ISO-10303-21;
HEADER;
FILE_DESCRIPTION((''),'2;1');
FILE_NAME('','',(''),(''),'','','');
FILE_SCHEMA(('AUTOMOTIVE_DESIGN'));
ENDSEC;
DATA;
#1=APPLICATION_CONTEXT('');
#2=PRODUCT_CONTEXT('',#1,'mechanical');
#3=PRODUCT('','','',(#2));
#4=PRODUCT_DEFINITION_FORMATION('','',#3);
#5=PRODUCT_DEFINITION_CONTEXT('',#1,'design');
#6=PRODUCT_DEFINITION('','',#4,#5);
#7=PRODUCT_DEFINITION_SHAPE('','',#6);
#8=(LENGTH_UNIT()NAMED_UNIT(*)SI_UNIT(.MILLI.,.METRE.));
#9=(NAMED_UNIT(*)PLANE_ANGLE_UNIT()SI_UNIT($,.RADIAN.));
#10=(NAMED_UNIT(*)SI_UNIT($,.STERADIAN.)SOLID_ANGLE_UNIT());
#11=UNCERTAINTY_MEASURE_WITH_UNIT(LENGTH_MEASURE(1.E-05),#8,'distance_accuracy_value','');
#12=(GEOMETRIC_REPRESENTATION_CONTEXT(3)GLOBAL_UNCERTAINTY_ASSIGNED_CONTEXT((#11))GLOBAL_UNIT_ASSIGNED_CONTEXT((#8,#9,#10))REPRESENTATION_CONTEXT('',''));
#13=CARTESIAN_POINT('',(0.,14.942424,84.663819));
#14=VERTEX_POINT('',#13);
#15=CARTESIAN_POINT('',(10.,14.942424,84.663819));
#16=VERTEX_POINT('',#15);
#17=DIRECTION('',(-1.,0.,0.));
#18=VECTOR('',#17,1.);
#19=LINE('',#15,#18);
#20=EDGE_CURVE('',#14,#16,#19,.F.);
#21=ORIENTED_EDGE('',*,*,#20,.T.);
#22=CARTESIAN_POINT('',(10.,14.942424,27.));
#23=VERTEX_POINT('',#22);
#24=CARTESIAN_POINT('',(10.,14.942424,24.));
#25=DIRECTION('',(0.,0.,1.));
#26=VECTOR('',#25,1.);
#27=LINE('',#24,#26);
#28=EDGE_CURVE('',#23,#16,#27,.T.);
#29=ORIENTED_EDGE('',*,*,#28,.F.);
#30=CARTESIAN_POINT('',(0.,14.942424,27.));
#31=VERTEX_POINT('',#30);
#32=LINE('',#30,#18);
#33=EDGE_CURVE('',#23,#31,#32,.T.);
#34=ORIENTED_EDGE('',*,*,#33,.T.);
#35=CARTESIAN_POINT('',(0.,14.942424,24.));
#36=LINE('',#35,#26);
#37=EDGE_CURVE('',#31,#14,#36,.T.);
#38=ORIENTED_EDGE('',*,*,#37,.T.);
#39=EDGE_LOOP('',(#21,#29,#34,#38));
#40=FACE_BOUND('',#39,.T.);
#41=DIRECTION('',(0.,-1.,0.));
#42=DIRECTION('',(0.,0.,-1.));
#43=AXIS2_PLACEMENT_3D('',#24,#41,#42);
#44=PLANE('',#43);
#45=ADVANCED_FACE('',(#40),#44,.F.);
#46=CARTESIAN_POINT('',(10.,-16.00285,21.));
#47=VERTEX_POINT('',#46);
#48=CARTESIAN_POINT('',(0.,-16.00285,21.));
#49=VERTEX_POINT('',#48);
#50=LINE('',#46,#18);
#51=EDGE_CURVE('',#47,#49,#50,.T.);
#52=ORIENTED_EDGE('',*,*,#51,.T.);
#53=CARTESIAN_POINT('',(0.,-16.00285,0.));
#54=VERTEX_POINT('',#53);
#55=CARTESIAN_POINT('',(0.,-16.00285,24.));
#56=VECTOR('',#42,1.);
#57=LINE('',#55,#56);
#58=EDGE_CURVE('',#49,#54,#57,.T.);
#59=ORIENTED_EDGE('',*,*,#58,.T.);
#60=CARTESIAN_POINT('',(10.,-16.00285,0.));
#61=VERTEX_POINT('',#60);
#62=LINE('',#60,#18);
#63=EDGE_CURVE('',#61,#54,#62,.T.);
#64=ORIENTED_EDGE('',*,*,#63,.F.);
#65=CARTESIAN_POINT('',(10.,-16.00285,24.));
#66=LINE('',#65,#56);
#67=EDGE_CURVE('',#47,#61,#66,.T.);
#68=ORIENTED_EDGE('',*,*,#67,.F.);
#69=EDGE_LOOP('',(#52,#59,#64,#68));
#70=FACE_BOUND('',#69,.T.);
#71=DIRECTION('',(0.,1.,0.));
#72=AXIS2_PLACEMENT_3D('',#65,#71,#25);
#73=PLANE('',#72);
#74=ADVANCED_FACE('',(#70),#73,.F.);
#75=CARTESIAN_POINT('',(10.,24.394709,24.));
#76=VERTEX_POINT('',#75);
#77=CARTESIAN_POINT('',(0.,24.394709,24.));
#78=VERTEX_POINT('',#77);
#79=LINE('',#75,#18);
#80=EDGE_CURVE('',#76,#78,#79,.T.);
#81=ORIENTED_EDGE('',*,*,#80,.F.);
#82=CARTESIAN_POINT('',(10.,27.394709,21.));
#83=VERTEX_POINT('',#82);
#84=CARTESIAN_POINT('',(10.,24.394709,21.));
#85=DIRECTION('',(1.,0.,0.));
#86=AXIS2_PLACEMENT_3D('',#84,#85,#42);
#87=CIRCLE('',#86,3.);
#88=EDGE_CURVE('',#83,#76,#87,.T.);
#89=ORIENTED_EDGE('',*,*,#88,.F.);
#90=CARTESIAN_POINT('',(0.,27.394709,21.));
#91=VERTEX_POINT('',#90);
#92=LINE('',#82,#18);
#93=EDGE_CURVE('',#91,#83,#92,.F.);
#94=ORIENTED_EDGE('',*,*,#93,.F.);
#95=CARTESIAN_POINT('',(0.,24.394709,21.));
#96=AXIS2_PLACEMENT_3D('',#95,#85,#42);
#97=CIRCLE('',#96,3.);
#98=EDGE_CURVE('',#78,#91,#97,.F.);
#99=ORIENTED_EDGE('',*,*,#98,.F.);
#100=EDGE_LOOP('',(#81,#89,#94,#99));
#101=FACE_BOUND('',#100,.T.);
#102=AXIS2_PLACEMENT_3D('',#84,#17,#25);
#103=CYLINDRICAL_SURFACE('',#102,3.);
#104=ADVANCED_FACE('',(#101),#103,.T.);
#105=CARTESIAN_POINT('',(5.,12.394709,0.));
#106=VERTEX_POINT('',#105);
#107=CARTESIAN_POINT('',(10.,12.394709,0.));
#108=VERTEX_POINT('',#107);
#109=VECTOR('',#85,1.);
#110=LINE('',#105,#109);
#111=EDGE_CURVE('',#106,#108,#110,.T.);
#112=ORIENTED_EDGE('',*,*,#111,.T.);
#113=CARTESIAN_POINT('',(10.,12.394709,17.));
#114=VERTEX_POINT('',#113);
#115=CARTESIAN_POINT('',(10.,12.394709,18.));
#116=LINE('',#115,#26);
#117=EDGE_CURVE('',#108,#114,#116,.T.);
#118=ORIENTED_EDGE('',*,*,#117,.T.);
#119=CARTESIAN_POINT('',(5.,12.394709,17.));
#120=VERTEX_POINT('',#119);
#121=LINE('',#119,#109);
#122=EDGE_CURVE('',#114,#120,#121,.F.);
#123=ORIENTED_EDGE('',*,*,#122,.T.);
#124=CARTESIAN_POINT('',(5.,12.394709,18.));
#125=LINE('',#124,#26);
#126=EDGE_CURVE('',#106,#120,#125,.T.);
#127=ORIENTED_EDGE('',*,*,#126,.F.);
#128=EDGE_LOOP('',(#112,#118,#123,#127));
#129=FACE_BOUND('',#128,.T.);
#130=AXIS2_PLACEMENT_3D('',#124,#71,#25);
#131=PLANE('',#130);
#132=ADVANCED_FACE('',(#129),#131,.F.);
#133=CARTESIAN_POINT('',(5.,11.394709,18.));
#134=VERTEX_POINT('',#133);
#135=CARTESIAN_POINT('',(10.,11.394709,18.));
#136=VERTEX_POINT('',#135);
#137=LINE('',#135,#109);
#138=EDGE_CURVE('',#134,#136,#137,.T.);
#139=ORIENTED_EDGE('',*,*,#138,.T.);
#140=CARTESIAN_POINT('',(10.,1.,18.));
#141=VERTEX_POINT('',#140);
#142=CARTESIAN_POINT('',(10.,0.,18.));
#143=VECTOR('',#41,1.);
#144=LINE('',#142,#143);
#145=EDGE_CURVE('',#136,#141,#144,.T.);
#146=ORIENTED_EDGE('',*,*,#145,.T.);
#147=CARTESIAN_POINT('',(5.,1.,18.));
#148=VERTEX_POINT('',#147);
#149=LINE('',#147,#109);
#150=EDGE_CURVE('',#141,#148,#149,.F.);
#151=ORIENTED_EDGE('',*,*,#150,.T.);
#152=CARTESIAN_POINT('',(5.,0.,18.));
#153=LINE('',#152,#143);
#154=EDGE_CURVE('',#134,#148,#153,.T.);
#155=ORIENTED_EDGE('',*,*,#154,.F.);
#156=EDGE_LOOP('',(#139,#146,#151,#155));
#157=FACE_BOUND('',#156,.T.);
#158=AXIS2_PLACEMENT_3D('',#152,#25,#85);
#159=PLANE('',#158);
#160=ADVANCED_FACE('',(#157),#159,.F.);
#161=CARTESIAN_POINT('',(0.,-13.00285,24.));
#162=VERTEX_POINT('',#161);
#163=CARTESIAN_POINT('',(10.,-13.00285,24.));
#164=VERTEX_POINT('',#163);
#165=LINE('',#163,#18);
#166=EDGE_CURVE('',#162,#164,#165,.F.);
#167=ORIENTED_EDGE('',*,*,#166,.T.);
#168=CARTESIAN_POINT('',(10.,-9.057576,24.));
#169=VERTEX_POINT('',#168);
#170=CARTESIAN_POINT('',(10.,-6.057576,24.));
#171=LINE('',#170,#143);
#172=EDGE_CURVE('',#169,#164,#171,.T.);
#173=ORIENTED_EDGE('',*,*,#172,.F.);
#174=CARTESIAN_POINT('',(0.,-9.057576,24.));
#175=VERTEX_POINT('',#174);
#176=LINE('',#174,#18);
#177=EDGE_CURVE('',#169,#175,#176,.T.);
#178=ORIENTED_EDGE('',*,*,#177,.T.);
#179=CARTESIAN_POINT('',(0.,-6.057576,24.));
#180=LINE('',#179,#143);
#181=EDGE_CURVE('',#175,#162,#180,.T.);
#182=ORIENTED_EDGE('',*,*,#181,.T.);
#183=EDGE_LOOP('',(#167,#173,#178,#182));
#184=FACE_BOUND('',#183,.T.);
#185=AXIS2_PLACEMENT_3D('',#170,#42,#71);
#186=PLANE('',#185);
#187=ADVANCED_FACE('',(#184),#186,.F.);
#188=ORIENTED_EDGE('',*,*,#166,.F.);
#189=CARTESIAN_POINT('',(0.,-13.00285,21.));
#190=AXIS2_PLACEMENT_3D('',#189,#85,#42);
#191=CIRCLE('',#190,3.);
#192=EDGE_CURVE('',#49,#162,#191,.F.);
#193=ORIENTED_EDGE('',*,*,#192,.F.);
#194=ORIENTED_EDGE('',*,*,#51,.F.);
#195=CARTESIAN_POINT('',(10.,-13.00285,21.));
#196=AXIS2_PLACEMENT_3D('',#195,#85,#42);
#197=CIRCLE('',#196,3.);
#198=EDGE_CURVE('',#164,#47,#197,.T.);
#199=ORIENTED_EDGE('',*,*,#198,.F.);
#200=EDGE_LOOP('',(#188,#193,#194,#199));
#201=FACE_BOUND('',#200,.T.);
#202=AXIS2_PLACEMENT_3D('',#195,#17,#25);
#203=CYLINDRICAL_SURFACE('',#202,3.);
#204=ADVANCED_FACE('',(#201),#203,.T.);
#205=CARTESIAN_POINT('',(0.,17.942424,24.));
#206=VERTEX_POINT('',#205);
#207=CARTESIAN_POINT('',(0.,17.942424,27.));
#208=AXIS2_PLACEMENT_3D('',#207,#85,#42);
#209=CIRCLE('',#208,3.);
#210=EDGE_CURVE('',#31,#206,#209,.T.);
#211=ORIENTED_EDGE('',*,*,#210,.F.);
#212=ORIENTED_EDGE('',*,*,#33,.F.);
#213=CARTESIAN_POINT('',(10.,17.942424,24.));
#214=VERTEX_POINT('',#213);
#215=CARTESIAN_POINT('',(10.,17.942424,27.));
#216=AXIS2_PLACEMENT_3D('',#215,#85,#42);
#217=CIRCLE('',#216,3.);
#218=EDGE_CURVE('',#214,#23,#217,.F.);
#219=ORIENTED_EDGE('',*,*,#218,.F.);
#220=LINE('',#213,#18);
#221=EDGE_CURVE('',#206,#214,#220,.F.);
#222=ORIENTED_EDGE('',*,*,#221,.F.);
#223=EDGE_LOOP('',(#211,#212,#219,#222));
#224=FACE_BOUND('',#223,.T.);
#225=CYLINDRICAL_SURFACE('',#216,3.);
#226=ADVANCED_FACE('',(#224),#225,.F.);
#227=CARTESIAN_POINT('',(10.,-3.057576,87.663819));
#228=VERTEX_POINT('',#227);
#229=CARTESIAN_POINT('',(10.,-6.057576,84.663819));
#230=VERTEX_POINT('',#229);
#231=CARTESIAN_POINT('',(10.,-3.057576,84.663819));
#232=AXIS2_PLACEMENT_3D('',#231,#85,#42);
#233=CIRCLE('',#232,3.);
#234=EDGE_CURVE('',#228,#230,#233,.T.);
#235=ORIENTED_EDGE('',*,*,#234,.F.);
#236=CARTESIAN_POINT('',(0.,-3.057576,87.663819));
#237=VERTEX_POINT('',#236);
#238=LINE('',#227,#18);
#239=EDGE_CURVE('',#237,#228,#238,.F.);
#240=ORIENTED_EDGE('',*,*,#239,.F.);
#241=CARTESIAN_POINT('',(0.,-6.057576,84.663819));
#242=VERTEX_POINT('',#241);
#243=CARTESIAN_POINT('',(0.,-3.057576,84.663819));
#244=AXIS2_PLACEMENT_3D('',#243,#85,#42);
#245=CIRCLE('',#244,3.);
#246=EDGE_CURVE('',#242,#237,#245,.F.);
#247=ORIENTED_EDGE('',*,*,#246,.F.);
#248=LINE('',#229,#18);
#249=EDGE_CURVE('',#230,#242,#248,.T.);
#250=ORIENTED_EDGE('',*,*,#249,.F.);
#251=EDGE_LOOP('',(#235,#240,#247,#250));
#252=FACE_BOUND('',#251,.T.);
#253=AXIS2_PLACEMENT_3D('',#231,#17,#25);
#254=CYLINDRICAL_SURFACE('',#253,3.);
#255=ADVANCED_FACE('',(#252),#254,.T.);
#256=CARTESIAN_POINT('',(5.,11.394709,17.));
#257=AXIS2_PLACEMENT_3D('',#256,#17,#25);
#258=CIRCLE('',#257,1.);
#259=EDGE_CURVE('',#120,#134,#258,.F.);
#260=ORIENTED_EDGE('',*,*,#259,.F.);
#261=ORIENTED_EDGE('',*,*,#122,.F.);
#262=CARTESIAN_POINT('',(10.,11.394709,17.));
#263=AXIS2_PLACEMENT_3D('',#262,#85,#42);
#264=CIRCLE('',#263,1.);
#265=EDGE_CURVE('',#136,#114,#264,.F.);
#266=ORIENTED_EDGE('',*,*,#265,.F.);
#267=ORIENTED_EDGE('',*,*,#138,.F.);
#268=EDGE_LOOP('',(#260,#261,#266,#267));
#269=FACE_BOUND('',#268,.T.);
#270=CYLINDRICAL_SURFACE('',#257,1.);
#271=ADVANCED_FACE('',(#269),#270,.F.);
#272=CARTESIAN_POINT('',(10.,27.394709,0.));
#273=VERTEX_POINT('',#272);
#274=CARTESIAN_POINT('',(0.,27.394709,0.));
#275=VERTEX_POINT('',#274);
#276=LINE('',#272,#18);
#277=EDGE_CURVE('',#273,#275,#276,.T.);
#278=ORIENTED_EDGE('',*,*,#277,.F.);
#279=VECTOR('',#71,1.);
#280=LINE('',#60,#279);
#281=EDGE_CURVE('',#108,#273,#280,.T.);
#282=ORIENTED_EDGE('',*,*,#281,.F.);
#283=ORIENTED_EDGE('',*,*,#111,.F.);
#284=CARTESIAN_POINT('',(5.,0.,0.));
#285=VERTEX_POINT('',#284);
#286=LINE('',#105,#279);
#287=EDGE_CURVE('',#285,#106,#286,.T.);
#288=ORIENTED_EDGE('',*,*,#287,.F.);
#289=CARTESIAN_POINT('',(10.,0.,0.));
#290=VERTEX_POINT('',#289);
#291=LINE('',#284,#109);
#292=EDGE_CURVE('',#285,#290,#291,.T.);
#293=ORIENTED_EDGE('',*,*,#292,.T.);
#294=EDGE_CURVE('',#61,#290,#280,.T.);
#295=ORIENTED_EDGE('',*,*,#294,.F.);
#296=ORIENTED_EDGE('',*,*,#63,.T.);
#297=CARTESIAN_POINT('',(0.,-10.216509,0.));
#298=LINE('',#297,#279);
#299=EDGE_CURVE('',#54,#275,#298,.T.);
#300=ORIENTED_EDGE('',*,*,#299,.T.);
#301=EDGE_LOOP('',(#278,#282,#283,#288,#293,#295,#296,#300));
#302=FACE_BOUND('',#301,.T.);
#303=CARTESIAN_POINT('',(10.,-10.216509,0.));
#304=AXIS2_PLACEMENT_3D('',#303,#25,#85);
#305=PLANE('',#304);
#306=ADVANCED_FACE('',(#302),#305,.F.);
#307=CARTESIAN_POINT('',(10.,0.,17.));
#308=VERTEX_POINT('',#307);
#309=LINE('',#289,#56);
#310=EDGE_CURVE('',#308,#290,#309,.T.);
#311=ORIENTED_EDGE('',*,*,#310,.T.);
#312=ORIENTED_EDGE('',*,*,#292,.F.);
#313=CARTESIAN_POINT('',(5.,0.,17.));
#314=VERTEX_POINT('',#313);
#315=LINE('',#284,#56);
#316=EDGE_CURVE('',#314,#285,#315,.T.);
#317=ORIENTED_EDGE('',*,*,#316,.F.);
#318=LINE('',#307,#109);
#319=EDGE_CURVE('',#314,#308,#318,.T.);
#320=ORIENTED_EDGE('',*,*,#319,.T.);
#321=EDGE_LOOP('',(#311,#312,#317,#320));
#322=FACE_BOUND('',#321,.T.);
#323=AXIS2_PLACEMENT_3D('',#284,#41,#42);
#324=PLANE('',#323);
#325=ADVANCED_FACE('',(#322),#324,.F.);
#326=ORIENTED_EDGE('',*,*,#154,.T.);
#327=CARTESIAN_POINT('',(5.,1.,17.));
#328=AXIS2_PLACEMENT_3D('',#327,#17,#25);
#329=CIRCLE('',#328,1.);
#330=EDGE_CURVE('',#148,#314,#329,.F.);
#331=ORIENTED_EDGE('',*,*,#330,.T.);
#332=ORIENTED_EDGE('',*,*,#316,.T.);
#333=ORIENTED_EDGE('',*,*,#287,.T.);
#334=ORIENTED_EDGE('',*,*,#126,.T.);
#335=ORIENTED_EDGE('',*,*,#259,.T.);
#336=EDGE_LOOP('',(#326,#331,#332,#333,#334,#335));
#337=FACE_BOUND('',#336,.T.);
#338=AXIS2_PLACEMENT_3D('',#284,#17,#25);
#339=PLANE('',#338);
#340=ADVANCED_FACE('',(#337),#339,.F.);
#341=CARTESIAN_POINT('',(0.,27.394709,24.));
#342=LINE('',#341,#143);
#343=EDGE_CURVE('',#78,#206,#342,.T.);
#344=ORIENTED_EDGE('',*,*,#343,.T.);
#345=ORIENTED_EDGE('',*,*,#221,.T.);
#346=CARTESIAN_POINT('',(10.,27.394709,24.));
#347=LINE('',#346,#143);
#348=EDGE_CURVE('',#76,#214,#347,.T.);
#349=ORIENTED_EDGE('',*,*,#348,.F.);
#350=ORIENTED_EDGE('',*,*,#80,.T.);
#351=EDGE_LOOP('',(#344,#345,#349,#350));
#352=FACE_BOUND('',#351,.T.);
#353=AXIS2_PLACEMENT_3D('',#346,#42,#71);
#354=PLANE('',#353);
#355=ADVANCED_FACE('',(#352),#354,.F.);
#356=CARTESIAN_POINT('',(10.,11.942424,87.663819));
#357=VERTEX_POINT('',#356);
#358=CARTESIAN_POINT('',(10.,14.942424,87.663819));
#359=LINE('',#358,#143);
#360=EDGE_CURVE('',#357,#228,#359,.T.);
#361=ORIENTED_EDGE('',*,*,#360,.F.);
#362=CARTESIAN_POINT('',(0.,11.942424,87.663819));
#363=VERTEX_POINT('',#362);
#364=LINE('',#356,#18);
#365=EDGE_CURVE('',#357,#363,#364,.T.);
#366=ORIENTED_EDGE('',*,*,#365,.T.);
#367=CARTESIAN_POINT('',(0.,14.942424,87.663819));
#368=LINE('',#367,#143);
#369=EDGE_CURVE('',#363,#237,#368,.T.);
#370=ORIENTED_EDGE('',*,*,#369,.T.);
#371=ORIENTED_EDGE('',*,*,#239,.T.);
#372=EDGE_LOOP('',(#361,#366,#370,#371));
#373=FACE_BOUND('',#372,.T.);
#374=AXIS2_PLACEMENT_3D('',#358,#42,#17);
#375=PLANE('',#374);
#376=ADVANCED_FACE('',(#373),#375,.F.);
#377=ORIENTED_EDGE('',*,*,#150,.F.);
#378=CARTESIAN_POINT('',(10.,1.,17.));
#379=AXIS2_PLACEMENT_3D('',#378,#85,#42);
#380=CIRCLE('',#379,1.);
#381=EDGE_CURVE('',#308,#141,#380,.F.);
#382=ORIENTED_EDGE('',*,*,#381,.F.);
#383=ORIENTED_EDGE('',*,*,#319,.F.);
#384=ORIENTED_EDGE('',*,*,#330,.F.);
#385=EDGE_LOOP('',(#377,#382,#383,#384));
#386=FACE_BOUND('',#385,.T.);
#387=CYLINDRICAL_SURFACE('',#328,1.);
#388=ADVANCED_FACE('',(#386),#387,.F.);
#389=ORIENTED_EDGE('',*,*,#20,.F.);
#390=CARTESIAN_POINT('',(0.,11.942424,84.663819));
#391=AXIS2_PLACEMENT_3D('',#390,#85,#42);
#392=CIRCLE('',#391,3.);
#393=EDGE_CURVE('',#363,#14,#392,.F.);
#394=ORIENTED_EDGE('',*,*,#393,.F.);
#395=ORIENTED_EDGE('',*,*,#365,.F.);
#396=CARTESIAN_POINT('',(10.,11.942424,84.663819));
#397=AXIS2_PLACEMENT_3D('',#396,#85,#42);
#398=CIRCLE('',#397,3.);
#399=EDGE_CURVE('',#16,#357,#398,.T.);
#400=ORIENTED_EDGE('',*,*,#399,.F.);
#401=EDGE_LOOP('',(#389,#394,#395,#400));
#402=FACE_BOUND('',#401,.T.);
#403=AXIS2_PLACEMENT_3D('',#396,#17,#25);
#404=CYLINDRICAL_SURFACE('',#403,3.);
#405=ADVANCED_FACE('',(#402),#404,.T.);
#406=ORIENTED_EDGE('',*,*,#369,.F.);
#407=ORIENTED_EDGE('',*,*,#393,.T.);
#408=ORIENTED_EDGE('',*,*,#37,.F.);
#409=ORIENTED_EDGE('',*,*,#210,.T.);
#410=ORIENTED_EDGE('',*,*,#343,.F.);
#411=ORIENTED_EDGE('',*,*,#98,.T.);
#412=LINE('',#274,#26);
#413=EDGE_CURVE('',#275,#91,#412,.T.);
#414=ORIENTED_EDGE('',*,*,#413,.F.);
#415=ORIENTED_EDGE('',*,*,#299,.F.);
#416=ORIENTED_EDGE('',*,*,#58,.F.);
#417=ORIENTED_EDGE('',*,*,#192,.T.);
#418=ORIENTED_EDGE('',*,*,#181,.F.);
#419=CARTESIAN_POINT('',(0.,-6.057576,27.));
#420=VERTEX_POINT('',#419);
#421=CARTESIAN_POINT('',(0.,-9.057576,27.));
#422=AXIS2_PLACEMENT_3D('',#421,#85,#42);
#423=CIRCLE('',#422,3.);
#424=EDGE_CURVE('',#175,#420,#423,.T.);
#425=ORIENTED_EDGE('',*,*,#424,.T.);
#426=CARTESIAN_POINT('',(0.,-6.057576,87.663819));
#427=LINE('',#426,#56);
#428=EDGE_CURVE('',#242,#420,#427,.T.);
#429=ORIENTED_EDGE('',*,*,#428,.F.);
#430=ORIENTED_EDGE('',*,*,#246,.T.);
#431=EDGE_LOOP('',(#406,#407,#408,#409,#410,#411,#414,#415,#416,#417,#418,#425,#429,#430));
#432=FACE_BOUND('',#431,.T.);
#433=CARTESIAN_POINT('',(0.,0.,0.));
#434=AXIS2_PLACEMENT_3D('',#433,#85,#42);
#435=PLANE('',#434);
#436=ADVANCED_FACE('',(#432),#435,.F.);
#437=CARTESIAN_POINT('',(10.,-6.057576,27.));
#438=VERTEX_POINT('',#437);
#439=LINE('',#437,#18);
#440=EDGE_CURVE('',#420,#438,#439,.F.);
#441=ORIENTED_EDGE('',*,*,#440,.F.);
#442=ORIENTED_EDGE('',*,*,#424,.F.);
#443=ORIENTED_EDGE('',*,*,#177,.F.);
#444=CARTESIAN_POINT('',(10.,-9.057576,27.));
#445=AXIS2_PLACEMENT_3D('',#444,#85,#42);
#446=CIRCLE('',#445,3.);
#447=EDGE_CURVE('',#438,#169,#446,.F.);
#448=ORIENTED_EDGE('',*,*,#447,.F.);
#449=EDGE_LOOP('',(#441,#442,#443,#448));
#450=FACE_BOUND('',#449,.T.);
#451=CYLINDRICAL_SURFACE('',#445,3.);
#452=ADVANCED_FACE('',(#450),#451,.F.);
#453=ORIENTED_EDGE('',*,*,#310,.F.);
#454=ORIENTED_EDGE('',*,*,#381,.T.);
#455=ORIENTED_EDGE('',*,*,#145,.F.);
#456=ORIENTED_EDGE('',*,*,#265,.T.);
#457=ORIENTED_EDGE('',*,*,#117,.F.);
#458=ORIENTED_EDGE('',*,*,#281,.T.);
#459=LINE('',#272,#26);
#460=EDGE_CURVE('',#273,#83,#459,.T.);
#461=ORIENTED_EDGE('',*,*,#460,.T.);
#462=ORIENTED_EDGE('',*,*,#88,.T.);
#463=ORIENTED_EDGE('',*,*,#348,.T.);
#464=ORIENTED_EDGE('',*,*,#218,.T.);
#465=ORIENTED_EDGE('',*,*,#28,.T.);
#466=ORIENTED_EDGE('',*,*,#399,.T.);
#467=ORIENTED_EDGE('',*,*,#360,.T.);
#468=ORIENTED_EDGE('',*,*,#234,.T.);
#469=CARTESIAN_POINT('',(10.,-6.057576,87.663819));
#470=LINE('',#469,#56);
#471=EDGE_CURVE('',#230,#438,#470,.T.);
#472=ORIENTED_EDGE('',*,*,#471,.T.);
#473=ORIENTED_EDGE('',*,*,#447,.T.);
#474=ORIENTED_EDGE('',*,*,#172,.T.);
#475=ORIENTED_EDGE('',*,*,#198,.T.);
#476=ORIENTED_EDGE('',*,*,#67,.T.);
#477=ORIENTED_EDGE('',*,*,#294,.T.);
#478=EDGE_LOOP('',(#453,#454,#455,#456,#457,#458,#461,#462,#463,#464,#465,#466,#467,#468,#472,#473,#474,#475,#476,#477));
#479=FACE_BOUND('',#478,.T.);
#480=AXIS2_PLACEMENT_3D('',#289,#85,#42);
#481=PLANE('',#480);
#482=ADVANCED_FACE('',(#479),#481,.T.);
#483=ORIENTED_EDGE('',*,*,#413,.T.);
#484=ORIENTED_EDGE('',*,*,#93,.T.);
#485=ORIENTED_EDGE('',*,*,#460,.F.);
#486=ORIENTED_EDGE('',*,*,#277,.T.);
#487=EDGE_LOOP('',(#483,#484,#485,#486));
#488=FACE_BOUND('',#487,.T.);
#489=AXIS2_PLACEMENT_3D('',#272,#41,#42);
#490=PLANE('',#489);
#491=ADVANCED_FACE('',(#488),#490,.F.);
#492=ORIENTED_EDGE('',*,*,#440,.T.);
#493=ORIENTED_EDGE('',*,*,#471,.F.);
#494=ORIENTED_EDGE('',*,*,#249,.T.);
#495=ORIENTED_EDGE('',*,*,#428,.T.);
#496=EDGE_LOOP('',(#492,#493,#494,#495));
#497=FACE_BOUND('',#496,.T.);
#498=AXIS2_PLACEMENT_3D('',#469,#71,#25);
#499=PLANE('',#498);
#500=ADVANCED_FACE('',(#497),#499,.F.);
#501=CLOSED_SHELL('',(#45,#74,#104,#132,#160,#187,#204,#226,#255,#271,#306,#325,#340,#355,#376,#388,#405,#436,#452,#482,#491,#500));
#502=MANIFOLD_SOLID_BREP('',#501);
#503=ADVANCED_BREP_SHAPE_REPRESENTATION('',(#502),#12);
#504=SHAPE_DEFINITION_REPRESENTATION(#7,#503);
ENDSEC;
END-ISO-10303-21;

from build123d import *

# Parameters (mm, degrees)
SALIENTE_EXTRUIR1_DEPTH = 10
CROQUIS2_W              = 18
CROQUIS2_H              = 12.394708995
CORTAR_EXTRUIR1_DEPTH   = 5
REDONDEO1_R             = 3
REDONDEO2_R             = 3
REDONDEO3_R             = 1


with BuildPart() as part:
    # Croquis1 → Saliente-Extruir1 (new body)
    with BuildSketch(Plane(origin=(0, 0, 0), x_dir=(0, 0, -1), z_dir=(1, 0, 0))):
        Polygon((0, -10.216508635), (0, 27.394708995), (-24, 27.394708995), (-24, 14.942424084), (-87.663818946, 14.942424084), (-87.663818946, -6.057575916), (-24, -6.057575916), (-24, -16.002849809), (0, -16.002849809), align=None)
    extrude(amount=SALIENTE_EXTRUIR1_DEPTH)

    # Croquis2 → Cortar-Extruir1 (cut)
    with BuildSketch(Plane(origin=(10, 0, 0), x_dir=(0, 0, -1), z_dir=(1, 0, 0))):
        with Locations((-9, 6.197354498)):
            Rectangle(CROQUIS2_W, CROQUIS2_H)
    extrude(amount=-CORTAR_EXTRUIR1_DEPTH, mode=Mode.SUBTRACT)

    # Redondeo1
    redondeo1_edges = [part.edges().sort_by_distance(p)[0] for p in [
        (5, -6.057575916, 24),
        (5, 14.942424084, 24),
    ]]
    fillet(redondeo1_edges, radius=REDONDEO1_R)

    # Redondeo2
    redondeo2_edges = [part.edges().sort_by_distance(p)[0] for p in [
        (5, -16.002849809, 24),
        (5, -6.057575916, 87.663818946),
        (5, 14.942424084, 87.663818946),
        (5, 27.394708995, 24),
    ]]
    fillet(redondeo2_edges, radius=REDONDEO2_R)

    # Redondeo3
    redondeo3_edges = [part.edges().sort_by_distance(p)[0] for p in [
        (7.5, 0, 18),
        (7.5, 12.394708995, 18),
    ]]
    fillet(redondeo3_edges, radius=REDONDEO3_R)


solid = part.part
